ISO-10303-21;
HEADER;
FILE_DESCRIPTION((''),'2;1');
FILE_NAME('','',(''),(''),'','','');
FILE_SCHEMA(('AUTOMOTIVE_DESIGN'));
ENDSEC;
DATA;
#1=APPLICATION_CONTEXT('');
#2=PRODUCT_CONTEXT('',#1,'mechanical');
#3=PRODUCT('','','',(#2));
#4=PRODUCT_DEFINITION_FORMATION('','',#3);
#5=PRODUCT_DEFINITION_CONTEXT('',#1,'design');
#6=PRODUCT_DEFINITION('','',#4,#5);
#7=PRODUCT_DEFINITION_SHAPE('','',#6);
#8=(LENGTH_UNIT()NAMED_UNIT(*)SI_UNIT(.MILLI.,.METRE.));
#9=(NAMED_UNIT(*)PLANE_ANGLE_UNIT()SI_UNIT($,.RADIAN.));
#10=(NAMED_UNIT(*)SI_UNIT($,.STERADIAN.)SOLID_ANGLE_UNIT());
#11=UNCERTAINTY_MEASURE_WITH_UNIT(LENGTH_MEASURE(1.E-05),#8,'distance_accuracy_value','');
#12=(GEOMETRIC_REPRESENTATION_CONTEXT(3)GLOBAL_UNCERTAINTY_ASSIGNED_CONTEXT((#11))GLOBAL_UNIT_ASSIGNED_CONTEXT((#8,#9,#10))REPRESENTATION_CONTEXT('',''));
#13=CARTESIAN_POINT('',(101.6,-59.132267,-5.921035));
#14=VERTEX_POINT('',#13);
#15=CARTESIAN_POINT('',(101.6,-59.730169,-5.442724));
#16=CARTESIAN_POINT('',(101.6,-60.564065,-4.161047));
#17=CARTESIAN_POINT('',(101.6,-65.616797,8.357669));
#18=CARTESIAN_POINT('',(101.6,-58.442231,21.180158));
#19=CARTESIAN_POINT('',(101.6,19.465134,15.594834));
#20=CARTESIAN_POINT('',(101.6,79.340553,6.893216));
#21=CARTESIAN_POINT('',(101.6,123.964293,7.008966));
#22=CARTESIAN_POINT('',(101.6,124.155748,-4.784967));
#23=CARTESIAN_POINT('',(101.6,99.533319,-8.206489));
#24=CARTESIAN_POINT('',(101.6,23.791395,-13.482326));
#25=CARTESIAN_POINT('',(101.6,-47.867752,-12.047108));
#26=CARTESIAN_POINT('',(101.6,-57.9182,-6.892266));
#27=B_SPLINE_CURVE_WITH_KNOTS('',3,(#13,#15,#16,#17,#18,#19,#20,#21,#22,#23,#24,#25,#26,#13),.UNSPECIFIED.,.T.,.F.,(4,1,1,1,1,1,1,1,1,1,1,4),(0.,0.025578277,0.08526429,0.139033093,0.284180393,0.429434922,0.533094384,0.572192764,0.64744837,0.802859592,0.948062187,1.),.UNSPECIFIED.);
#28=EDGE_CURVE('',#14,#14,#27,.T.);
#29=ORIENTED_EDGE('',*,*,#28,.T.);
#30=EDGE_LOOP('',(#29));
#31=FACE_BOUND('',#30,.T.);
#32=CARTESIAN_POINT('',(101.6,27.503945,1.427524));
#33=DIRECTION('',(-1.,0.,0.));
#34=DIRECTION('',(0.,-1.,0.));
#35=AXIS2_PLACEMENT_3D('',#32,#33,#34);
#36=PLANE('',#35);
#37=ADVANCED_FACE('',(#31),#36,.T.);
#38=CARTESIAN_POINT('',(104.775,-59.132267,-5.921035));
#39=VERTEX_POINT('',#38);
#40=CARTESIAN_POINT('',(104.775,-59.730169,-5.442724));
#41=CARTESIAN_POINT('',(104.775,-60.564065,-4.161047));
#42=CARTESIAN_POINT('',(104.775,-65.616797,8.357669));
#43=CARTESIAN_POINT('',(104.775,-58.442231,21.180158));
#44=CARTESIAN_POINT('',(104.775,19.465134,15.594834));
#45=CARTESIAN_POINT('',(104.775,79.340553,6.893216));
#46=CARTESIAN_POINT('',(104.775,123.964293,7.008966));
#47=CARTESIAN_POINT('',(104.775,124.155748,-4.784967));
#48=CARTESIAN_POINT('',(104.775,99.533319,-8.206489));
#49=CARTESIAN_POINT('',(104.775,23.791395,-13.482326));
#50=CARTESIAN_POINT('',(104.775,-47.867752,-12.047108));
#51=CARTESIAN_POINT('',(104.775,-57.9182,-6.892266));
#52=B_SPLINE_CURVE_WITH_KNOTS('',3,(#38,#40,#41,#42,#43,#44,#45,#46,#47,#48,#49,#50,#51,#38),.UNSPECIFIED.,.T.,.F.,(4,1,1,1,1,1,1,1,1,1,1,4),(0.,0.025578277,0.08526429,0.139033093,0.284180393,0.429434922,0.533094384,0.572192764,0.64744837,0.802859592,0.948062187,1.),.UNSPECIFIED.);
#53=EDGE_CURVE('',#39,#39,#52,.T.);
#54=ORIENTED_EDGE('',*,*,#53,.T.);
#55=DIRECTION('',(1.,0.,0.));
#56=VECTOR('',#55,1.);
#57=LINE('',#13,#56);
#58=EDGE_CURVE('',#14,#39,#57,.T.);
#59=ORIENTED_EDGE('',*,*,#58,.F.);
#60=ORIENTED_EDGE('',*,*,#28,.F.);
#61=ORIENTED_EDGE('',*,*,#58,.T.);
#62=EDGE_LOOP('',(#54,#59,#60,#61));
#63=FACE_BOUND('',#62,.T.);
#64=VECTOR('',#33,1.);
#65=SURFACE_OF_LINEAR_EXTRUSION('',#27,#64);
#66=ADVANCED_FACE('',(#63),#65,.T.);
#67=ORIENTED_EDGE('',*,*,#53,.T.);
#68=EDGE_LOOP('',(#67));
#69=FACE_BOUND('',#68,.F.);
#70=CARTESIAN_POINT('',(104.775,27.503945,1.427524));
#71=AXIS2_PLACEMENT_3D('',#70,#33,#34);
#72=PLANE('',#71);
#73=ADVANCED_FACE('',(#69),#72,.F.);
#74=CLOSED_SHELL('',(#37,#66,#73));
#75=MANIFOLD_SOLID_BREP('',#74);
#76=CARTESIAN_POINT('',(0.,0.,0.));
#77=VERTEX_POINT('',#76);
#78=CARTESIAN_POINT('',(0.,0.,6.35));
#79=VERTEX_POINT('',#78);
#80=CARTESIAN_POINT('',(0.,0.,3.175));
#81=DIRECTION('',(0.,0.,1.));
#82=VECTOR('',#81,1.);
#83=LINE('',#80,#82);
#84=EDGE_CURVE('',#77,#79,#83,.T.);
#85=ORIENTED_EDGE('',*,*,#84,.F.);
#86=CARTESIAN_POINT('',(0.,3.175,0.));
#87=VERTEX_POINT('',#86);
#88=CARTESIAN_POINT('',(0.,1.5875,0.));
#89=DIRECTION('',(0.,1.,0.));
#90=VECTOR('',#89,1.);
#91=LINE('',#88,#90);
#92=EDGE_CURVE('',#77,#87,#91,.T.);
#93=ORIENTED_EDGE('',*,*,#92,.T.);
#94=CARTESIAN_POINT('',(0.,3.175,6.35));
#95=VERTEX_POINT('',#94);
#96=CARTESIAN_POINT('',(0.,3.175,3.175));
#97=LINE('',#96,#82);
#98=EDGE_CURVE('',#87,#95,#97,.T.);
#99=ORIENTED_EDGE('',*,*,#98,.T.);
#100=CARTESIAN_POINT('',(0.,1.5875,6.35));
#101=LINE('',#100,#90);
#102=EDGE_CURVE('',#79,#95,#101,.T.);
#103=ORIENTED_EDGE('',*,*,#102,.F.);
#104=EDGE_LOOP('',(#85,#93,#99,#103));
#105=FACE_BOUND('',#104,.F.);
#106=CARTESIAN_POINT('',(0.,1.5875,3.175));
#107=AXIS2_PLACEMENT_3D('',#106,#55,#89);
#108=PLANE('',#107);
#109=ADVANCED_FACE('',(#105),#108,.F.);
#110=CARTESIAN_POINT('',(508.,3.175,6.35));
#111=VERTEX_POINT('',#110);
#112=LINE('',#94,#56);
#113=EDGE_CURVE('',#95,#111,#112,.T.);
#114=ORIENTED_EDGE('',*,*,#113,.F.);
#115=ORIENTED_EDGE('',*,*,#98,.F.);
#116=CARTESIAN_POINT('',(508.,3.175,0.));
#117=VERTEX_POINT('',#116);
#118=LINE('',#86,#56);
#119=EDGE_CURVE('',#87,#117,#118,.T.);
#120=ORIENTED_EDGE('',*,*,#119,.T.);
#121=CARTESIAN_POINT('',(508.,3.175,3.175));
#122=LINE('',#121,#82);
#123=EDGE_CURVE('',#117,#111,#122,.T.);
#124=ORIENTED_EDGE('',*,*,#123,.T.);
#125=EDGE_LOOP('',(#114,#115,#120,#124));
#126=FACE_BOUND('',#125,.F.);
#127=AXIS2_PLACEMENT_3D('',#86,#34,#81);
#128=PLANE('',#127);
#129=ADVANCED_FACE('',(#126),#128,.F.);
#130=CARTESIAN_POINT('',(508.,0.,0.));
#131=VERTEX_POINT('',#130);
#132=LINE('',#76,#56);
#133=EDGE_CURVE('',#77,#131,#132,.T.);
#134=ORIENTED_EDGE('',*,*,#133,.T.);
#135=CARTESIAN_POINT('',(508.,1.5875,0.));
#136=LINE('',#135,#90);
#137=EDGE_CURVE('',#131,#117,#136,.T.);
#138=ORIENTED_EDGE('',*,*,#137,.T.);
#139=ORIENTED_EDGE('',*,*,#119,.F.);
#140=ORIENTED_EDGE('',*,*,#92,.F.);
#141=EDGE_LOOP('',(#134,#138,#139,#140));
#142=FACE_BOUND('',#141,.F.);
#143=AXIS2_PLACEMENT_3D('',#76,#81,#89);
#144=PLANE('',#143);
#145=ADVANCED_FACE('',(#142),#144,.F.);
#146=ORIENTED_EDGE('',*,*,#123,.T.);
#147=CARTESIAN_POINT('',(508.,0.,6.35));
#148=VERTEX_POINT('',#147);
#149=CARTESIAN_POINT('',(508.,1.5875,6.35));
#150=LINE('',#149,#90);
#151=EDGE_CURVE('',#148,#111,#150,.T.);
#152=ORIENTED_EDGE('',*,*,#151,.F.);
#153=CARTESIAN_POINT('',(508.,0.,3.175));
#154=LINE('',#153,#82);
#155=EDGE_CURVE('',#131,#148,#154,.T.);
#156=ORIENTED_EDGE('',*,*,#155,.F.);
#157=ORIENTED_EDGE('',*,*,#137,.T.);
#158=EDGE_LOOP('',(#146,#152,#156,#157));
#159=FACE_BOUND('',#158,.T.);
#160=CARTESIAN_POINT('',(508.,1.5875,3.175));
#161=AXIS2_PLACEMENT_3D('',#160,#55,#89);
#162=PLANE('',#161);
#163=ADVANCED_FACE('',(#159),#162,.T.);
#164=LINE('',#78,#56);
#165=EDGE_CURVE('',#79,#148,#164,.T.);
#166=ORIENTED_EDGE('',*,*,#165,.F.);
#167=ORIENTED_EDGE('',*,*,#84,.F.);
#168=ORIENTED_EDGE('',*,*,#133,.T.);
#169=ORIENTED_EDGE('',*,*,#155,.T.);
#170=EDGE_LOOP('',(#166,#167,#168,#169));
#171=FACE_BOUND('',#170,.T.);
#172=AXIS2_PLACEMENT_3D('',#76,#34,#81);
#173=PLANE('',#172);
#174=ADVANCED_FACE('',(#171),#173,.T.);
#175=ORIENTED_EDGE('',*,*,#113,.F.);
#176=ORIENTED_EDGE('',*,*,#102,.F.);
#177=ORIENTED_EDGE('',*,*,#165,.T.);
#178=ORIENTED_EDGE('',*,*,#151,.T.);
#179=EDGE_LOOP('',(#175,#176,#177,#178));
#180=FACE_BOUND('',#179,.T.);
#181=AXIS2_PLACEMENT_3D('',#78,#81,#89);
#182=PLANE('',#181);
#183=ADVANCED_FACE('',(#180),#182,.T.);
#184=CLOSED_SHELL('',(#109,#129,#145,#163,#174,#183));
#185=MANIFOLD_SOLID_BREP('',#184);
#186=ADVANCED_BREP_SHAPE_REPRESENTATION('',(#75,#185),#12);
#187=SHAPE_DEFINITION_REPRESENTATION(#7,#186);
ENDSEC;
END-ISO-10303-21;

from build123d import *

# Parameters (mm, degrees)
F0_W     = 3.175
F0_H     = 6.35
F1_DEPTH = 508
F4_DEPTH = 3.175


with BuildPart() as f1:
    # F0 (on Right) → F1 (new body)
    with BuildSketch(Plane.YZ):
        with Locations((1.5875, 3.175)):
            Rectangle(F0_W, F0_H)
    extrude(amount=F1_DEPTH)


with BuildPart() as f4:
    # F3 (on offset) → F4 (new body)
    with BuildSketch(Plane.YZ.offset(101.6)):
        with BuildLine():
            add(Edge.make_bspline(
                [(-59.1322667897, -5.921034608), (-59.7301690588, -5.4427237975), (-60.5640651048, -4.1610473494), (-65.616797338, 8.3576688331), (-58.4422308277, 21.180158427), (19.465133599, 15.5948342105), (79.3405531906, 6.8932160963), (123.9642929763, 7.0089656707), (124.1557478275, -4.784967129), (99.5333186844, -8.2064893855), (23.7913947449, -13.4823262837), (-47.8677521796, -12.047107512), (-57.918200003, -6.8922656918), (-59.1322667897, -5.921034608)],
                knots=[0, 0, 0, 0, 0.0255782767, 0.0852642898, 0.1390330926, 0.2841803933, 0.4294349225, 0.533094384, 0.5721927643, 0.6474483696, 0.8028595918, 0.948062187, 1, 1, 1, 1], degree=3))
        make_face()
    extrude(amount=F4_DEPTH)


solid = Compound([f1.part, f4.part])
